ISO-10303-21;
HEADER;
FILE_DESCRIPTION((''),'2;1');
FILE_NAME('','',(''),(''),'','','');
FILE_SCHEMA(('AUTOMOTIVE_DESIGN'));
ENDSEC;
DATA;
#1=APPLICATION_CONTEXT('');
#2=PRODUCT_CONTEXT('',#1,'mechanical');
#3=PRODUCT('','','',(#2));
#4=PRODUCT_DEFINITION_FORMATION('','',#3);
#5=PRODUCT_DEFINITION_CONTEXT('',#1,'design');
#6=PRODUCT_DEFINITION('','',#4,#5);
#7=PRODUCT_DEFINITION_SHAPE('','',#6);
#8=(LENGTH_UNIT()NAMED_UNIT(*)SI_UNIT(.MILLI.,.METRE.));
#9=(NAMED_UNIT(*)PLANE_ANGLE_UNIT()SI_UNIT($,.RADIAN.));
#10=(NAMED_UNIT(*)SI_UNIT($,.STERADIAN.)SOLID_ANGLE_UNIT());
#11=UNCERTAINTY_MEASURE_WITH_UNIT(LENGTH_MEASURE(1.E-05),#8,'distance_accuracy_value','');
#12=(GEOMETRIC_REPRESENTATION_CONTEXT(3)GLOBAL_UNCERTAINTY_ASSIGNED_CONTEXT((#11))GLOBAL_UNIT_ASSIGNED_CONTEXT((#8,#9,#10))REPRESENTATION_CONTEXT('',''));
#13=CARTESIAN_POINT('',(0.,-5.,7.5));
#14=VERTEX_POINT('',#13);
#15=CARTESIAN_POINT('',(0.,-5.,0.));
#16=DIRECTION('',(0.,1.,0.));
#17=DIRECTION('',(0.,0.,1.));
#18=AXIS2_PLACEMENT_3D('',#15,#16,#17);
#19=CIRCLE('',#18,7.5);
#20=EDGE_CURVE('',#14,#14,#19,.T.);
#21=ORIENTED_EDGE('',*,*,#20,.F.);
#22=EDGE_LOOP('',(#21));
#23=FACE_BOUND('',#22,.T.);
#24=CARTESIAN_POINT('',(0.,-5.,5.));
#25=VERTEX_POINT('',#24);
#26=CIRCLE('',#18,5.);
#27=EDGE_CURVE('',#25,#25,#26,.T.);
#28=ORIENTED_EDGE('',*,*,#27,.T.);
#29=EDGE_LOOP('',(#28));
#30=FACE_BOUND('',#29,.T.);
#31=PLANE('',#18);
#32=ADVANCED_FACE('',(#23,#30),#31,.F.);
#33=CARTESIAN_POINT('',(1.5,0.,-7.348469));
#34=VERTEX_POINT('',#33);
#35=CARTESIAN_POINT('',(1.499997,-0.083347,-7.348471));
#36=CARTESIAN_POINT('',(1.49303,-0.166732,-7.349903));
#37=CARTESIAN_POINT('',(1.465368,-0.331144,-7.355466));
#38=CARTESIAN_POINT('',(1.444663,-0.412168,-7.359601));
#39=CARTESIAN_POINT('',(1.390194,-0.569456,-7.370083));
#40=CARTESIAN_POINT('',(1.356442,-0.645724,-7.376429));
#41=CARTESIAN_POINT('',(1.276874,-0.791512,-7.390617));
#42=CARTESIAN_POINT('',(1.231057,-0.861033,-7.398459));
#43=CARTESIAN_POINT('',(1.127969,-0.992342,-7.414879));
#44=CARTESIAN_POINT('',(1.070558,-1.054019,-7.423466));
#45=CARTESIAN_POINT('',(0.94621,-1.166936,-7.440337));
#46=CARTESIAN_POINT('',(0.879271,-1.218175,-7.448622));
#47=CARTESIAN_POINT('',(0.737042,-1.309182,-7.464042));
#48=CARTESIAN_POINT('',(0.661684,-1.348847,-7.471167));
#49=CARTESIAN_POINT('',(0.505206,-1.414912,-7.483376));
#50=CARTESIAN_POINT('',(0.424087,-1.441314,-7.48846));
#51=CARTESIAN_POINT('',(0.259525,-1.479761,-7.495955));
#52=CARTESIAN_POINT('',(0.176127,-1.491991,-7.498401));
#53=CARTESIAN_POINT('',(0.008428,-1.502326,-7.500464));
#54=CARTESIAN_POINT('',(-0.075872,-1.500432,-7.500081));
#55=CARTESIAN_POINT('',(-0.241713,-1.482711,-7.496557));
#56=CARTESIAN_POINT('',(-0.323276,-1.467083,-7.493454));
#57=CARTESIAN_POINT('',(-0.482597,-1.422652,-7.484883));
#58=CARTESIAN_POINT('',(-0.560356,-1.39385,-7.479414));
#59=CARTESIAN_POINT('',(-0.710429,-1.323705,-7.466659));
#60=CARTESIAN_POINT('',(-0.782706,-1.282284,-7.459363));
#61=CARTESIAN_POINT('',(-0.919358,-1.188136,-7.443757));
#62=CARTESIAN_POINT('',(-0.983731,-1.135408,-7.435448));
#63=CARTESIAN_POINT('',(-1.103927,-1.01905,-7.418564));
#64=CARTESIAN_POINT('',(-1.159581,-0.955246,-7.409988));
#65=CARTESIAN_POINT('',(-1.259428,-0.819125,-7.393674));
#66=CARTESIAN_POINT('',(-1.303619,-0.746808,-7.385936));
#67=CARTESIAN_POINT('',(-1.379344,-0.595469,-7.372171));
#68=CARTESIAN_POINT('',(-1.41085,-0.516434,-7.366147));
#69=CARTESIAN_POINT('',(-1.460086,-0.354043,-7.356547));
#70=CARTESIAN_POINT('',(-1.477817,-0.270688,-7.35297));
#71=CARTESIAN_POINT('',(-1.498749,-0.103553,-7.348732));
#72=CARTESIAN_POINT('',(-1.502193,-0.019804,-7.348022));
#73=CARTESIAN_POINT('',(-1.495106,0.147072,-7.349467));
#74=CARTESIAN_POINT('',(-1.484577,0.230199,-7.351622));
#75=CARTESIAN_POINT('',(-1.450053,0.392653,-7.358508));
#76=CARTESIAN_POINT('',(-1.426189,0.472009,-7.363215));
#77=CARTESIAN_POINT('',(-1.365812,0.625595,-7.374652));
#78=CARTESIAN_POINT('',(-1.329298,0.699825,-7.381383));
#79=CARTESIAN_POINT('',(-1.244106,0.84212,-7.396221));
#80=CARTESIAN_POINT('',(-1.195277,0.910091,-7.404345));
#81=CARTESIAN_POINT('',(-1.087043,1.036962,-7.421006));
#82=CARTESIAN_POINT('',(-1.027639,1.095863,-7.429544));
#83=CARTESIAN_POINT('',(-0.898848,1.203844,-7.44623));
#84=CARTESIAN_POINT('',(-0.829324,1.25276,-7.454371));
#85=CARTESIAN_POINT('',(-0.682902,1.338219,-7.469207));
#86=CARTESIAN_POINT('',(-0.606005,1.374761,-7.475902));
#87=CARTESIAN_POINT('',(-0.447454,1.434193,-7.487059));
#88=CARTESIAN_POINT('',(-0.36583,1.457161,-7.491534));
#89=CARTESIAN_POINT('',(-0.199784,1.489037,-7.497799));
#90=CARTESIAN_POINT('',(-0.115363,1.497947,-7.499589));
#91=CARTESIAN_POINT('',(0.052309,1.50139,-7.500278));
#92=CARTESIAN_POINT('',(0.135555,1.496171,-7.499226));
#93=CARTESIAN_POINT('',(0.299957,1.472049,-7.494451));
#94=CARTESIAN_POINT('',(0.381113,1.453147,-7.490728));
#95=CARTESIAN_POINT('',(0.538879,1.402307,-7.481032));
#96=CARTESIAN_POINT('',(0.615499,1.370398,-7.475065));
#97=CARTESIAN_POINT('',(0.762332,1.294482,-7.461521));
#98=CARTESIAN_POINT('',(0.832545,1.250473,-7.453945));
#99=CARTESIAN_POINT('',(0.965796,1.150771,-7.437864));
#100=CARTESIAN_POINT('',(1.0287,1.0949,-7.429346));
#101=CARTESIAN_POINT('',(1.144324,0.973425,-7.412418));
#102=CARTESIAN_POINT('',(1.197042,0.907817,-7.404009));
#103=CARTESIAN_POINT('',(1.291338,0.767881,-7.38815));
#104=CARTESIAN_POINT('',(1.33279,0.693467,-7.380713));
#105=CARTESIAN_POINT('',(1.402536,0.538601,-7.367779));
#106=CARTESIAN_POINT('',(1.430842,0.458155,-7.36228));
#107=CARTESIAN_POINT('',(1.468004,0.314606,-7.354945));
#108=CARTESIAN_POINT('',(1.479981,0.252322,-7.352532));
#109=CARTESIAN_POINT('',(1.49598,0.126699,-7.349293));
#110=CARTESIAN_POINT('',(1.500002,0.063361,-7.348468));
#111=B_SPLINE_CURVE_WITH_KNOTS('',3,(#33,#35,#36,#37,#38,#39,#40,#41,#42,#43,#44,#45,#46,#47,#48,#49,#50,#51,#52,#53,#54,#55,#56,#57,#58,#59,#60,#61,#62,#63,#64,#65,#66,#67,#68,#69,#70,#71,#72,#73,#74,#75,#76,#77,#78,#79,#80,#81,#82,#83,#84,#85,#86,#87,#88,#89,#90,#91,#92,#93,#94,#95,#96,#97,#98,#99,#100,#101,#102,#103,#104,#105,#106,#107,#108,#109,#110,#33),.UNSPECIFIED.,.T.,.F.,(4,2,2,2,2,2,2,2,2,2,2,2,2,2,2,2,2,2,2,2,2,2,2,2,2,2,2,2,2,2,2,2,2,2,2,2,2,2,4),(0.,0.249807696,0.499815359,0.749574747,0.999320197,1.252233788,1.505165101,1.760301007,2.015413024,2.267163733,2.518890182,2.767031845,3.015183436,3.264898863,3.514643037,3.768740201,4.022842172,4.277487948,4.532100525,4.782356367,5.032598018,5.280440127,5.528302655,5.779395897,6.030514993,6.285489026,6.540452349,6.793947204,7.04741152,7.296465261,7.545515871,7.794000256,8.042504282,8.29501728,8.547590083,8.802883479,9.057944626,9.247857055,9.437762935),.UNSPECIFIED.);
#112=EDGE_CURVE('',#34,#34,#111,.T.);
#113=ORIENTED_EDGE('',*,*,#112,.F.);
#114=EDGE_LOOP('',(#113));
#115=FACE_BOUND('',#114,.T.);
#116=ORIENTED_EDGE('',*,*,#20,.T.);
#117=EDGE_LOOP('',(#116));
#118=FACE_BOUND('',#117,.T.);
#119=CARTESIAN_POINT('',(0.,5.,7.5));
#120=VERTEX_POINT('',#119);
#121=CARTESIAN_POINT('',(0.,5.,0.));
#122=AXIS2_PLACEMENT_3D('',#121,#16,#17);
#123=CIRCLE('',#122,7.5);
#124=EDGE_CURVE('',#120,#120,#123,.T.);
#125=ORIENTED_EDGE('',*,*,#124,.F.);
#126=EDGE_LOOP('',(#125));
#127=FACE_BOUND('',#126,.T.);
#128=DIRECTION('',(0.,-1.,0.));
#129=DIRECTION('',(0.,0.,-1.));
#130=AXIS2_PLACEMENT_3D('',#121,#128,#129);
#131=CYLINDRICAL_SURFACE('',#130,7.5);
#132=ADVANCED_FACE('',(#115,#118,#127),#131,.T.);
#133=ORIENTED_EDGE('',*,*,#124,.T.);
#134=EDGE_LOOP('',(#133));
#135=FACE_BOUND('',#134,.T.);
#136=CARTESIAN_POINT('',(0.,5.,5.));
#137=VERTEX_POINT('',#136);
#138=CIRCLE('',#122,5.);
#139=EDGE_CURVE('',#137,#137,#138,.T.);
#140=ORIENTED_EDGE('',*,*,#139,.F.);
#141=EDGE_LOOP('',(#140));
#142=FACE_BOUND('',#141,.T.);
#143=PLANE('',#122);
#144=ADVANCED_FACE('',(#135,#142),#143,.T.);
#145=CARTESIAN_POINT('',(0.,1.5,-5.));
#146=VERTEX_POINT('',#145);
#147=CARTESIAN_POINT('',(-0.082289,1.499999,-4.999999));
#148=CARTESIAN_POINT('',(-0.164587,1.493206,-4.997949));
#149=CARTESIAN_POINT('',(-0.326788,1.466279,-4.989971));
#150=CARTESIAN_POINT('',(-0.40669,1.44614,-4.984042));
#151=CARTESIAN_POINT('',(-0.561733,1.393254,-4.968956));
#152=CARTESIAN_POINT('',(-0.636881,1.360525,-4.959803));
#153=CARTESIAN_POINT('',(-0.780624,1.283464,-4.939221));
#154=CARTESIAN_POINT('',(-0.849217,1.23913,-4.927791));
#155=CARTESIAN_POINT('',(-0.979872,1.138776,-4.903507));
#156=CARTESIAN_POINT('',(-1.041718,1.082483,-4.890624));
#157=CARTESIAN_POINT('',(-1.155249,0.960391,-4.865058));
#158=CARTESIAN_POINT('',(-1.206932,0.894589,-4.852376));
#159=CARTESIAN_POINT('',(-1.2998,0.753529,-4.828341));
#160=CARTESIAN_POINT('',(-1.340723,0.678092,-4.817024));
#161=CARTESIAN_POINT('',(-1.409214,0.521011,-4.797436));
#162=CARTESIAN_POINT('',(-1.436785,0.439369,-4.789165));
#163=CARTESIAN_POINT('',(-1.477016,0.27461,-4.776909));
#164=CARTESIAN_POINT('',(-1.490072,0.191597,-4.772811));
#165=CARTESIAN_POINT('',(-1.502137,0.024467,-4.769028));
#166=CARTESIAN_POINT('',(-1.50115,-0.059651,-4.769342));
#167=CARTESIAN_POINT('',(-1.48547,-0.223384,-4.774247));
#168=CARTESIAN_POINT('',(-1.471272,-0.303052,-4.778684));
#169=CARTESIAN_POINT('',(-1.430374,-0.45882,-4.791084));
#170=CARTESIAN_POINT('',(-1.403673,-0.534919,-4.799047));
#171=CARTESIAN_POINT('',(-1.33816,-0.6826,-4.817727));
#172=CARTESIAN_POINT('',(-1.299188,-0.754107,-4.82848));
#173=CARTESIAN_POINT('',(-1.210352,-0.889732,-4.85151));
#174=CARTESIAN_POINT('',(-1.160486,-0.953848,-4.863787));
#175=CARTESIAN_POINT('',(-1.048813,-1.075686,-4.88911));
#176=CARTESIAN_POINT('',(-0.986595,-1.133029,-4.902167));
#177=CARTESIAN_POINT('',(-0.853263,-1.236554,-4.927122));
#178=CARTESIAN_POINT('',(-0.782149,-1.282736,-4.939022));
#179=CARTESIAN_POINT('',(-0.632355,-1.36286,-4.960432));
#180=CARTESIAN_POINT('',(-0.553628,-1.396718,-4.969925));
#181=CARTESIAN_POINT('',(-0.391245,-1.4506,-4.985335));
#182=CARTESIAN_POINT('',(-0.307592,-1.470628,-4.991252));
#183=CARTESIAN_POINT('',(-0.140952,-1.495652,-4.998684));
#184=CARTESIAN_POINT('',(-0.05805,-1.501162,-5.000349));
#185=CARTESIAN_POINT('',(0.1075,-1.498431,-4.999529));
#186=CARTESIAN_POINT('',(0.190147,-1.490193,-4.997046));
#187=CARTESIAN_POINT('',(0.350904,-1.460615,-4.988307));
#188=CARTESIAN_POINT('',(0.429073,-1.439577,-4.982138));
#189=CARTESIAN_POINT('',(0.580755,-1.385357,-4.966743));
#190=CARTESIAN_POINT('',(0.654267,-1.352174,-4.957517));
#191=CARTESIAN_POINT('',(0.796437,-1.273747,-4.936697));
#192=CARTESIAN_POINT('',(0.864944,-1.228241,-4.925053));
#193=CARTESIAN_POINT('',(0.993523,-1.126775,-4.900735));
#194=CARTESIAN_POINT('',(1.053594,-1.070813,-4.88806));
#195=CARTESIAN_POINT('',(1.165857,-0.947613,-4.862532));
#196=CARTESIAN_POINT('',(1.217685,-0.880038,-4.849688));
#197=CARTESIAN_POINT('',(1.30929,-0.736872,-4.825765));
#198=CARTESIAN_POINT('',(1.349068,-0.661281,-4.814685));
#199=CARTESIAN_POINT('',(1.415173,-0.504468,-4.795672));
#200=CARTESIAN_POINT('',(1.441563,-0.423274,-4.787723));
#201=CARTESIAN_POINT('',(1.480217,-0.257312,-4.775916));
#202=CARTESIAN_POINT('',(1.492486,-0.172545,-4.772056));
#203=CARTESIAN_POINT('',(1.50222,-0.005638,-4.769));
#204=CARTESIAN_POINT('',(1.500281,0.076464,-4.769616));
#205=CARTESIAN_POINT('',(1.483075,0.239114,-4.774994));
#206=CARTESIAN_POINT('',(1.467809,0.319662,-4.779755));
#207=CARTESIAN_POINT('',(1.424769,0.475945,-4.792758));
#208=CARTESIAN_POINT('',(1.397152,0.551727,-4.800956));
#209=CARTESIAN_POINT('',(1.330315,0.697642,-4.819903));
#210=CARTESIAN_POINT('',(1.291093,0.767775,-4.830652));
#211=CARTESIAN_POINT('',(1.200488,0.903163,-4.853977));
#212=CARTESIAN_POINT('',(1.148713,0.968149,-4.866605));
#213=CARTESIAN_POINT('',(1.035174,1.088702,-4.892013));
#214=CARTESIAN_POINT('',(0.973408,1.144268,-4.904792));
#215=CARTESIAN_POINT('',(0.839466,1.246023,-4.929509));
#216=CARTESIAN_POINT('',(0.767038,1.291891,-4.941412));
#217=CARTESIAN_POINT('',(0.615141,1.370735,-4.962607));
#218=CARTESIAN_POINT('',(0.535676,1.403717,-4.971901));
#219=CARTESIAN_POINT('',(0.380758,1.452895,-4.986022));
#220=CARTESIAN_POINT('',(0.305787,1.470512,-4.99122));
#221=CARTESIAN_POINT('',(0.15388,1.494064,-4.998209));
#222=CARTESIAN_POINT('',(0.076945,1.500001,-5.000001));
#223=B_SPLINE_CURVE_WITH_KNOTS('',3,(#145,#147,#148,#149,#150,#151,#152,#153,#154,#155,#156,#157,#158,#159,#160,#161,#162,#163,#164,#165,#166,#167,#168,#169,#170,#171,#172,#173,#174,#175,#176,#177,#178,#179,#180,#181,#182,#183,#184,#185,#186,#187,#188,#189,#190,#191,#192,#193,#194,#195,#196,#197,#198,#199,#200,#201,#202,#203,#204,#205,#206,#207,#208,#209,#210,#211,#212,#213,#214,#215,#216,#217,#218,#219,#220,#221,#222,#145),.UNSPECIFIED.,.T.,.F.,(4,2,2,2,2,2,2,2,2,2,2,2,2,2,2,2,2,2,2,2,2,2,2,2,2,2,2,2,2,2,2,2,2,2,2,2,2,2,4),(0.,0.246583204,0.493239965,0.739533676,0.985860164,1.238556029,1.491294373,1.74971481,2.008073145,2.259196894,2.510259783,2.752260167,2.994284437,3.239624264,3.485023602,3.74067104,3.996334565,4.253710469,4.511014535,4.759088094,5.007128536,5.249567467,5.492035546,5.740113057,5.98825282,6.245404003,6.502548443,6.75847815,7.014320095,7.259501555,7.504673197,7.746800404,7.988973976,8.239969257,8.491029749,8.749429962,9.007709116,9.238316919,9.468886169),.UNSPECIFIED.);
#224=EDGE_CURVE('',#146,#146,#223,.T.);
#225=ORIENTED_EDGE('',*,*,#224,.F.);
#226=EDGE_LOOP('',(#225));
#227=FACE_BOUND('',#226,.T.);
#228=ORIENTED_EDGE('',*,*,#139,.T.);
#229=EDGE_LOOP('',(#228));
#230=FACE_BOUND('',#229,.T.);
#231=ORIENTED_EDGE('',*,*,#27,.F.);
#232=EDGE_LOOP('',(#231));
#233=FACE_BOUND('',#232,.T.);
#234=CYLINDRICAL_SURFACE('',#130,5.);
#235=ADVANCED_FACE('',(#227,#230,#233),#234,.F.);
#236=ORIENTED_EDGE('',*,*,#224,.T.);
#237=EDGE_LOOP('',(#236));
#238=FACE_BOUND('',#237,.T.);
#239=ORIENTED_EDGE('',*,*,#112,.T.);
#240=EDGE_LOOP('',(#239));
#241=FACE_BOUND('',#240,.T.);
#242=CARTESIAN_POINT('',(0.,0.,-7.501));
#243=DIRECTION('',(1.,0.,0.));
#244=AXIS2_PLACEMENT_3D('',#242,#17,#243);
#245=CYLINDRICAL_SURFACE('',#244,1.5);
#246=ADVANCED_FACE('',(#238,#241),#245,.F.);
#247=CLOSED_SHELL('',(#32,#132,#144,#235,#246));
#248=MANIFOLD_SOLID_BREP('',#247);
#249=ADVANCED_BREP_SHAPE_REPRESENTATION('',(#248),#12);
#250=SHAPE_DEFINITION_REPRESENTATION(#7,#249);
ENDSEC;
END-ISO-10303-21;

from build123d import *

# Parameters (mm, degrees)
SKETCH1_R           = 7.5
SKETCH1_R_2         = 5
BOSS_EXTRUDE1_DEPTH = 5
CUT_EXTRUDE1_REACH  = 9.5
SKETCH5_R           = 1.5


with BuildPart() as part:
    # Sketch1 → Boss-Extrude1 (new body, symmetric)
    with BuildSketch(Plane(origin=(0, 0, 0), x_dir=(1, 0, 0), z_dir=(0, 1, 0))):
        Circle(SKETCH1_R)
        Circle(SKETCH1_R_2, mode=Mode.SUBTRACT)
    extrude(amount=BOSS_EXTRUDE1_DEPTH, both=True)

    # Sketch5 → Cut-Extrude1 (cut, up to next)
    with BuildSketch(Plane.XY, mode=Mode.PRIVATE) as cut_extrude1_sk1:
        Circle(SKETCH5_R)
    cut_extrude1_tool1 = extrude(cut_extrude1_sk1.sketch, amount=-CUT_EXTRUDE1_REACH, mode=Mode.PRIVATE) & part.part
    add(cut_extrude1_tool1.solids().sort_by_distance((0, 0, 0))[0], mode=Mode.SUBTRACT)


solid = part.part
